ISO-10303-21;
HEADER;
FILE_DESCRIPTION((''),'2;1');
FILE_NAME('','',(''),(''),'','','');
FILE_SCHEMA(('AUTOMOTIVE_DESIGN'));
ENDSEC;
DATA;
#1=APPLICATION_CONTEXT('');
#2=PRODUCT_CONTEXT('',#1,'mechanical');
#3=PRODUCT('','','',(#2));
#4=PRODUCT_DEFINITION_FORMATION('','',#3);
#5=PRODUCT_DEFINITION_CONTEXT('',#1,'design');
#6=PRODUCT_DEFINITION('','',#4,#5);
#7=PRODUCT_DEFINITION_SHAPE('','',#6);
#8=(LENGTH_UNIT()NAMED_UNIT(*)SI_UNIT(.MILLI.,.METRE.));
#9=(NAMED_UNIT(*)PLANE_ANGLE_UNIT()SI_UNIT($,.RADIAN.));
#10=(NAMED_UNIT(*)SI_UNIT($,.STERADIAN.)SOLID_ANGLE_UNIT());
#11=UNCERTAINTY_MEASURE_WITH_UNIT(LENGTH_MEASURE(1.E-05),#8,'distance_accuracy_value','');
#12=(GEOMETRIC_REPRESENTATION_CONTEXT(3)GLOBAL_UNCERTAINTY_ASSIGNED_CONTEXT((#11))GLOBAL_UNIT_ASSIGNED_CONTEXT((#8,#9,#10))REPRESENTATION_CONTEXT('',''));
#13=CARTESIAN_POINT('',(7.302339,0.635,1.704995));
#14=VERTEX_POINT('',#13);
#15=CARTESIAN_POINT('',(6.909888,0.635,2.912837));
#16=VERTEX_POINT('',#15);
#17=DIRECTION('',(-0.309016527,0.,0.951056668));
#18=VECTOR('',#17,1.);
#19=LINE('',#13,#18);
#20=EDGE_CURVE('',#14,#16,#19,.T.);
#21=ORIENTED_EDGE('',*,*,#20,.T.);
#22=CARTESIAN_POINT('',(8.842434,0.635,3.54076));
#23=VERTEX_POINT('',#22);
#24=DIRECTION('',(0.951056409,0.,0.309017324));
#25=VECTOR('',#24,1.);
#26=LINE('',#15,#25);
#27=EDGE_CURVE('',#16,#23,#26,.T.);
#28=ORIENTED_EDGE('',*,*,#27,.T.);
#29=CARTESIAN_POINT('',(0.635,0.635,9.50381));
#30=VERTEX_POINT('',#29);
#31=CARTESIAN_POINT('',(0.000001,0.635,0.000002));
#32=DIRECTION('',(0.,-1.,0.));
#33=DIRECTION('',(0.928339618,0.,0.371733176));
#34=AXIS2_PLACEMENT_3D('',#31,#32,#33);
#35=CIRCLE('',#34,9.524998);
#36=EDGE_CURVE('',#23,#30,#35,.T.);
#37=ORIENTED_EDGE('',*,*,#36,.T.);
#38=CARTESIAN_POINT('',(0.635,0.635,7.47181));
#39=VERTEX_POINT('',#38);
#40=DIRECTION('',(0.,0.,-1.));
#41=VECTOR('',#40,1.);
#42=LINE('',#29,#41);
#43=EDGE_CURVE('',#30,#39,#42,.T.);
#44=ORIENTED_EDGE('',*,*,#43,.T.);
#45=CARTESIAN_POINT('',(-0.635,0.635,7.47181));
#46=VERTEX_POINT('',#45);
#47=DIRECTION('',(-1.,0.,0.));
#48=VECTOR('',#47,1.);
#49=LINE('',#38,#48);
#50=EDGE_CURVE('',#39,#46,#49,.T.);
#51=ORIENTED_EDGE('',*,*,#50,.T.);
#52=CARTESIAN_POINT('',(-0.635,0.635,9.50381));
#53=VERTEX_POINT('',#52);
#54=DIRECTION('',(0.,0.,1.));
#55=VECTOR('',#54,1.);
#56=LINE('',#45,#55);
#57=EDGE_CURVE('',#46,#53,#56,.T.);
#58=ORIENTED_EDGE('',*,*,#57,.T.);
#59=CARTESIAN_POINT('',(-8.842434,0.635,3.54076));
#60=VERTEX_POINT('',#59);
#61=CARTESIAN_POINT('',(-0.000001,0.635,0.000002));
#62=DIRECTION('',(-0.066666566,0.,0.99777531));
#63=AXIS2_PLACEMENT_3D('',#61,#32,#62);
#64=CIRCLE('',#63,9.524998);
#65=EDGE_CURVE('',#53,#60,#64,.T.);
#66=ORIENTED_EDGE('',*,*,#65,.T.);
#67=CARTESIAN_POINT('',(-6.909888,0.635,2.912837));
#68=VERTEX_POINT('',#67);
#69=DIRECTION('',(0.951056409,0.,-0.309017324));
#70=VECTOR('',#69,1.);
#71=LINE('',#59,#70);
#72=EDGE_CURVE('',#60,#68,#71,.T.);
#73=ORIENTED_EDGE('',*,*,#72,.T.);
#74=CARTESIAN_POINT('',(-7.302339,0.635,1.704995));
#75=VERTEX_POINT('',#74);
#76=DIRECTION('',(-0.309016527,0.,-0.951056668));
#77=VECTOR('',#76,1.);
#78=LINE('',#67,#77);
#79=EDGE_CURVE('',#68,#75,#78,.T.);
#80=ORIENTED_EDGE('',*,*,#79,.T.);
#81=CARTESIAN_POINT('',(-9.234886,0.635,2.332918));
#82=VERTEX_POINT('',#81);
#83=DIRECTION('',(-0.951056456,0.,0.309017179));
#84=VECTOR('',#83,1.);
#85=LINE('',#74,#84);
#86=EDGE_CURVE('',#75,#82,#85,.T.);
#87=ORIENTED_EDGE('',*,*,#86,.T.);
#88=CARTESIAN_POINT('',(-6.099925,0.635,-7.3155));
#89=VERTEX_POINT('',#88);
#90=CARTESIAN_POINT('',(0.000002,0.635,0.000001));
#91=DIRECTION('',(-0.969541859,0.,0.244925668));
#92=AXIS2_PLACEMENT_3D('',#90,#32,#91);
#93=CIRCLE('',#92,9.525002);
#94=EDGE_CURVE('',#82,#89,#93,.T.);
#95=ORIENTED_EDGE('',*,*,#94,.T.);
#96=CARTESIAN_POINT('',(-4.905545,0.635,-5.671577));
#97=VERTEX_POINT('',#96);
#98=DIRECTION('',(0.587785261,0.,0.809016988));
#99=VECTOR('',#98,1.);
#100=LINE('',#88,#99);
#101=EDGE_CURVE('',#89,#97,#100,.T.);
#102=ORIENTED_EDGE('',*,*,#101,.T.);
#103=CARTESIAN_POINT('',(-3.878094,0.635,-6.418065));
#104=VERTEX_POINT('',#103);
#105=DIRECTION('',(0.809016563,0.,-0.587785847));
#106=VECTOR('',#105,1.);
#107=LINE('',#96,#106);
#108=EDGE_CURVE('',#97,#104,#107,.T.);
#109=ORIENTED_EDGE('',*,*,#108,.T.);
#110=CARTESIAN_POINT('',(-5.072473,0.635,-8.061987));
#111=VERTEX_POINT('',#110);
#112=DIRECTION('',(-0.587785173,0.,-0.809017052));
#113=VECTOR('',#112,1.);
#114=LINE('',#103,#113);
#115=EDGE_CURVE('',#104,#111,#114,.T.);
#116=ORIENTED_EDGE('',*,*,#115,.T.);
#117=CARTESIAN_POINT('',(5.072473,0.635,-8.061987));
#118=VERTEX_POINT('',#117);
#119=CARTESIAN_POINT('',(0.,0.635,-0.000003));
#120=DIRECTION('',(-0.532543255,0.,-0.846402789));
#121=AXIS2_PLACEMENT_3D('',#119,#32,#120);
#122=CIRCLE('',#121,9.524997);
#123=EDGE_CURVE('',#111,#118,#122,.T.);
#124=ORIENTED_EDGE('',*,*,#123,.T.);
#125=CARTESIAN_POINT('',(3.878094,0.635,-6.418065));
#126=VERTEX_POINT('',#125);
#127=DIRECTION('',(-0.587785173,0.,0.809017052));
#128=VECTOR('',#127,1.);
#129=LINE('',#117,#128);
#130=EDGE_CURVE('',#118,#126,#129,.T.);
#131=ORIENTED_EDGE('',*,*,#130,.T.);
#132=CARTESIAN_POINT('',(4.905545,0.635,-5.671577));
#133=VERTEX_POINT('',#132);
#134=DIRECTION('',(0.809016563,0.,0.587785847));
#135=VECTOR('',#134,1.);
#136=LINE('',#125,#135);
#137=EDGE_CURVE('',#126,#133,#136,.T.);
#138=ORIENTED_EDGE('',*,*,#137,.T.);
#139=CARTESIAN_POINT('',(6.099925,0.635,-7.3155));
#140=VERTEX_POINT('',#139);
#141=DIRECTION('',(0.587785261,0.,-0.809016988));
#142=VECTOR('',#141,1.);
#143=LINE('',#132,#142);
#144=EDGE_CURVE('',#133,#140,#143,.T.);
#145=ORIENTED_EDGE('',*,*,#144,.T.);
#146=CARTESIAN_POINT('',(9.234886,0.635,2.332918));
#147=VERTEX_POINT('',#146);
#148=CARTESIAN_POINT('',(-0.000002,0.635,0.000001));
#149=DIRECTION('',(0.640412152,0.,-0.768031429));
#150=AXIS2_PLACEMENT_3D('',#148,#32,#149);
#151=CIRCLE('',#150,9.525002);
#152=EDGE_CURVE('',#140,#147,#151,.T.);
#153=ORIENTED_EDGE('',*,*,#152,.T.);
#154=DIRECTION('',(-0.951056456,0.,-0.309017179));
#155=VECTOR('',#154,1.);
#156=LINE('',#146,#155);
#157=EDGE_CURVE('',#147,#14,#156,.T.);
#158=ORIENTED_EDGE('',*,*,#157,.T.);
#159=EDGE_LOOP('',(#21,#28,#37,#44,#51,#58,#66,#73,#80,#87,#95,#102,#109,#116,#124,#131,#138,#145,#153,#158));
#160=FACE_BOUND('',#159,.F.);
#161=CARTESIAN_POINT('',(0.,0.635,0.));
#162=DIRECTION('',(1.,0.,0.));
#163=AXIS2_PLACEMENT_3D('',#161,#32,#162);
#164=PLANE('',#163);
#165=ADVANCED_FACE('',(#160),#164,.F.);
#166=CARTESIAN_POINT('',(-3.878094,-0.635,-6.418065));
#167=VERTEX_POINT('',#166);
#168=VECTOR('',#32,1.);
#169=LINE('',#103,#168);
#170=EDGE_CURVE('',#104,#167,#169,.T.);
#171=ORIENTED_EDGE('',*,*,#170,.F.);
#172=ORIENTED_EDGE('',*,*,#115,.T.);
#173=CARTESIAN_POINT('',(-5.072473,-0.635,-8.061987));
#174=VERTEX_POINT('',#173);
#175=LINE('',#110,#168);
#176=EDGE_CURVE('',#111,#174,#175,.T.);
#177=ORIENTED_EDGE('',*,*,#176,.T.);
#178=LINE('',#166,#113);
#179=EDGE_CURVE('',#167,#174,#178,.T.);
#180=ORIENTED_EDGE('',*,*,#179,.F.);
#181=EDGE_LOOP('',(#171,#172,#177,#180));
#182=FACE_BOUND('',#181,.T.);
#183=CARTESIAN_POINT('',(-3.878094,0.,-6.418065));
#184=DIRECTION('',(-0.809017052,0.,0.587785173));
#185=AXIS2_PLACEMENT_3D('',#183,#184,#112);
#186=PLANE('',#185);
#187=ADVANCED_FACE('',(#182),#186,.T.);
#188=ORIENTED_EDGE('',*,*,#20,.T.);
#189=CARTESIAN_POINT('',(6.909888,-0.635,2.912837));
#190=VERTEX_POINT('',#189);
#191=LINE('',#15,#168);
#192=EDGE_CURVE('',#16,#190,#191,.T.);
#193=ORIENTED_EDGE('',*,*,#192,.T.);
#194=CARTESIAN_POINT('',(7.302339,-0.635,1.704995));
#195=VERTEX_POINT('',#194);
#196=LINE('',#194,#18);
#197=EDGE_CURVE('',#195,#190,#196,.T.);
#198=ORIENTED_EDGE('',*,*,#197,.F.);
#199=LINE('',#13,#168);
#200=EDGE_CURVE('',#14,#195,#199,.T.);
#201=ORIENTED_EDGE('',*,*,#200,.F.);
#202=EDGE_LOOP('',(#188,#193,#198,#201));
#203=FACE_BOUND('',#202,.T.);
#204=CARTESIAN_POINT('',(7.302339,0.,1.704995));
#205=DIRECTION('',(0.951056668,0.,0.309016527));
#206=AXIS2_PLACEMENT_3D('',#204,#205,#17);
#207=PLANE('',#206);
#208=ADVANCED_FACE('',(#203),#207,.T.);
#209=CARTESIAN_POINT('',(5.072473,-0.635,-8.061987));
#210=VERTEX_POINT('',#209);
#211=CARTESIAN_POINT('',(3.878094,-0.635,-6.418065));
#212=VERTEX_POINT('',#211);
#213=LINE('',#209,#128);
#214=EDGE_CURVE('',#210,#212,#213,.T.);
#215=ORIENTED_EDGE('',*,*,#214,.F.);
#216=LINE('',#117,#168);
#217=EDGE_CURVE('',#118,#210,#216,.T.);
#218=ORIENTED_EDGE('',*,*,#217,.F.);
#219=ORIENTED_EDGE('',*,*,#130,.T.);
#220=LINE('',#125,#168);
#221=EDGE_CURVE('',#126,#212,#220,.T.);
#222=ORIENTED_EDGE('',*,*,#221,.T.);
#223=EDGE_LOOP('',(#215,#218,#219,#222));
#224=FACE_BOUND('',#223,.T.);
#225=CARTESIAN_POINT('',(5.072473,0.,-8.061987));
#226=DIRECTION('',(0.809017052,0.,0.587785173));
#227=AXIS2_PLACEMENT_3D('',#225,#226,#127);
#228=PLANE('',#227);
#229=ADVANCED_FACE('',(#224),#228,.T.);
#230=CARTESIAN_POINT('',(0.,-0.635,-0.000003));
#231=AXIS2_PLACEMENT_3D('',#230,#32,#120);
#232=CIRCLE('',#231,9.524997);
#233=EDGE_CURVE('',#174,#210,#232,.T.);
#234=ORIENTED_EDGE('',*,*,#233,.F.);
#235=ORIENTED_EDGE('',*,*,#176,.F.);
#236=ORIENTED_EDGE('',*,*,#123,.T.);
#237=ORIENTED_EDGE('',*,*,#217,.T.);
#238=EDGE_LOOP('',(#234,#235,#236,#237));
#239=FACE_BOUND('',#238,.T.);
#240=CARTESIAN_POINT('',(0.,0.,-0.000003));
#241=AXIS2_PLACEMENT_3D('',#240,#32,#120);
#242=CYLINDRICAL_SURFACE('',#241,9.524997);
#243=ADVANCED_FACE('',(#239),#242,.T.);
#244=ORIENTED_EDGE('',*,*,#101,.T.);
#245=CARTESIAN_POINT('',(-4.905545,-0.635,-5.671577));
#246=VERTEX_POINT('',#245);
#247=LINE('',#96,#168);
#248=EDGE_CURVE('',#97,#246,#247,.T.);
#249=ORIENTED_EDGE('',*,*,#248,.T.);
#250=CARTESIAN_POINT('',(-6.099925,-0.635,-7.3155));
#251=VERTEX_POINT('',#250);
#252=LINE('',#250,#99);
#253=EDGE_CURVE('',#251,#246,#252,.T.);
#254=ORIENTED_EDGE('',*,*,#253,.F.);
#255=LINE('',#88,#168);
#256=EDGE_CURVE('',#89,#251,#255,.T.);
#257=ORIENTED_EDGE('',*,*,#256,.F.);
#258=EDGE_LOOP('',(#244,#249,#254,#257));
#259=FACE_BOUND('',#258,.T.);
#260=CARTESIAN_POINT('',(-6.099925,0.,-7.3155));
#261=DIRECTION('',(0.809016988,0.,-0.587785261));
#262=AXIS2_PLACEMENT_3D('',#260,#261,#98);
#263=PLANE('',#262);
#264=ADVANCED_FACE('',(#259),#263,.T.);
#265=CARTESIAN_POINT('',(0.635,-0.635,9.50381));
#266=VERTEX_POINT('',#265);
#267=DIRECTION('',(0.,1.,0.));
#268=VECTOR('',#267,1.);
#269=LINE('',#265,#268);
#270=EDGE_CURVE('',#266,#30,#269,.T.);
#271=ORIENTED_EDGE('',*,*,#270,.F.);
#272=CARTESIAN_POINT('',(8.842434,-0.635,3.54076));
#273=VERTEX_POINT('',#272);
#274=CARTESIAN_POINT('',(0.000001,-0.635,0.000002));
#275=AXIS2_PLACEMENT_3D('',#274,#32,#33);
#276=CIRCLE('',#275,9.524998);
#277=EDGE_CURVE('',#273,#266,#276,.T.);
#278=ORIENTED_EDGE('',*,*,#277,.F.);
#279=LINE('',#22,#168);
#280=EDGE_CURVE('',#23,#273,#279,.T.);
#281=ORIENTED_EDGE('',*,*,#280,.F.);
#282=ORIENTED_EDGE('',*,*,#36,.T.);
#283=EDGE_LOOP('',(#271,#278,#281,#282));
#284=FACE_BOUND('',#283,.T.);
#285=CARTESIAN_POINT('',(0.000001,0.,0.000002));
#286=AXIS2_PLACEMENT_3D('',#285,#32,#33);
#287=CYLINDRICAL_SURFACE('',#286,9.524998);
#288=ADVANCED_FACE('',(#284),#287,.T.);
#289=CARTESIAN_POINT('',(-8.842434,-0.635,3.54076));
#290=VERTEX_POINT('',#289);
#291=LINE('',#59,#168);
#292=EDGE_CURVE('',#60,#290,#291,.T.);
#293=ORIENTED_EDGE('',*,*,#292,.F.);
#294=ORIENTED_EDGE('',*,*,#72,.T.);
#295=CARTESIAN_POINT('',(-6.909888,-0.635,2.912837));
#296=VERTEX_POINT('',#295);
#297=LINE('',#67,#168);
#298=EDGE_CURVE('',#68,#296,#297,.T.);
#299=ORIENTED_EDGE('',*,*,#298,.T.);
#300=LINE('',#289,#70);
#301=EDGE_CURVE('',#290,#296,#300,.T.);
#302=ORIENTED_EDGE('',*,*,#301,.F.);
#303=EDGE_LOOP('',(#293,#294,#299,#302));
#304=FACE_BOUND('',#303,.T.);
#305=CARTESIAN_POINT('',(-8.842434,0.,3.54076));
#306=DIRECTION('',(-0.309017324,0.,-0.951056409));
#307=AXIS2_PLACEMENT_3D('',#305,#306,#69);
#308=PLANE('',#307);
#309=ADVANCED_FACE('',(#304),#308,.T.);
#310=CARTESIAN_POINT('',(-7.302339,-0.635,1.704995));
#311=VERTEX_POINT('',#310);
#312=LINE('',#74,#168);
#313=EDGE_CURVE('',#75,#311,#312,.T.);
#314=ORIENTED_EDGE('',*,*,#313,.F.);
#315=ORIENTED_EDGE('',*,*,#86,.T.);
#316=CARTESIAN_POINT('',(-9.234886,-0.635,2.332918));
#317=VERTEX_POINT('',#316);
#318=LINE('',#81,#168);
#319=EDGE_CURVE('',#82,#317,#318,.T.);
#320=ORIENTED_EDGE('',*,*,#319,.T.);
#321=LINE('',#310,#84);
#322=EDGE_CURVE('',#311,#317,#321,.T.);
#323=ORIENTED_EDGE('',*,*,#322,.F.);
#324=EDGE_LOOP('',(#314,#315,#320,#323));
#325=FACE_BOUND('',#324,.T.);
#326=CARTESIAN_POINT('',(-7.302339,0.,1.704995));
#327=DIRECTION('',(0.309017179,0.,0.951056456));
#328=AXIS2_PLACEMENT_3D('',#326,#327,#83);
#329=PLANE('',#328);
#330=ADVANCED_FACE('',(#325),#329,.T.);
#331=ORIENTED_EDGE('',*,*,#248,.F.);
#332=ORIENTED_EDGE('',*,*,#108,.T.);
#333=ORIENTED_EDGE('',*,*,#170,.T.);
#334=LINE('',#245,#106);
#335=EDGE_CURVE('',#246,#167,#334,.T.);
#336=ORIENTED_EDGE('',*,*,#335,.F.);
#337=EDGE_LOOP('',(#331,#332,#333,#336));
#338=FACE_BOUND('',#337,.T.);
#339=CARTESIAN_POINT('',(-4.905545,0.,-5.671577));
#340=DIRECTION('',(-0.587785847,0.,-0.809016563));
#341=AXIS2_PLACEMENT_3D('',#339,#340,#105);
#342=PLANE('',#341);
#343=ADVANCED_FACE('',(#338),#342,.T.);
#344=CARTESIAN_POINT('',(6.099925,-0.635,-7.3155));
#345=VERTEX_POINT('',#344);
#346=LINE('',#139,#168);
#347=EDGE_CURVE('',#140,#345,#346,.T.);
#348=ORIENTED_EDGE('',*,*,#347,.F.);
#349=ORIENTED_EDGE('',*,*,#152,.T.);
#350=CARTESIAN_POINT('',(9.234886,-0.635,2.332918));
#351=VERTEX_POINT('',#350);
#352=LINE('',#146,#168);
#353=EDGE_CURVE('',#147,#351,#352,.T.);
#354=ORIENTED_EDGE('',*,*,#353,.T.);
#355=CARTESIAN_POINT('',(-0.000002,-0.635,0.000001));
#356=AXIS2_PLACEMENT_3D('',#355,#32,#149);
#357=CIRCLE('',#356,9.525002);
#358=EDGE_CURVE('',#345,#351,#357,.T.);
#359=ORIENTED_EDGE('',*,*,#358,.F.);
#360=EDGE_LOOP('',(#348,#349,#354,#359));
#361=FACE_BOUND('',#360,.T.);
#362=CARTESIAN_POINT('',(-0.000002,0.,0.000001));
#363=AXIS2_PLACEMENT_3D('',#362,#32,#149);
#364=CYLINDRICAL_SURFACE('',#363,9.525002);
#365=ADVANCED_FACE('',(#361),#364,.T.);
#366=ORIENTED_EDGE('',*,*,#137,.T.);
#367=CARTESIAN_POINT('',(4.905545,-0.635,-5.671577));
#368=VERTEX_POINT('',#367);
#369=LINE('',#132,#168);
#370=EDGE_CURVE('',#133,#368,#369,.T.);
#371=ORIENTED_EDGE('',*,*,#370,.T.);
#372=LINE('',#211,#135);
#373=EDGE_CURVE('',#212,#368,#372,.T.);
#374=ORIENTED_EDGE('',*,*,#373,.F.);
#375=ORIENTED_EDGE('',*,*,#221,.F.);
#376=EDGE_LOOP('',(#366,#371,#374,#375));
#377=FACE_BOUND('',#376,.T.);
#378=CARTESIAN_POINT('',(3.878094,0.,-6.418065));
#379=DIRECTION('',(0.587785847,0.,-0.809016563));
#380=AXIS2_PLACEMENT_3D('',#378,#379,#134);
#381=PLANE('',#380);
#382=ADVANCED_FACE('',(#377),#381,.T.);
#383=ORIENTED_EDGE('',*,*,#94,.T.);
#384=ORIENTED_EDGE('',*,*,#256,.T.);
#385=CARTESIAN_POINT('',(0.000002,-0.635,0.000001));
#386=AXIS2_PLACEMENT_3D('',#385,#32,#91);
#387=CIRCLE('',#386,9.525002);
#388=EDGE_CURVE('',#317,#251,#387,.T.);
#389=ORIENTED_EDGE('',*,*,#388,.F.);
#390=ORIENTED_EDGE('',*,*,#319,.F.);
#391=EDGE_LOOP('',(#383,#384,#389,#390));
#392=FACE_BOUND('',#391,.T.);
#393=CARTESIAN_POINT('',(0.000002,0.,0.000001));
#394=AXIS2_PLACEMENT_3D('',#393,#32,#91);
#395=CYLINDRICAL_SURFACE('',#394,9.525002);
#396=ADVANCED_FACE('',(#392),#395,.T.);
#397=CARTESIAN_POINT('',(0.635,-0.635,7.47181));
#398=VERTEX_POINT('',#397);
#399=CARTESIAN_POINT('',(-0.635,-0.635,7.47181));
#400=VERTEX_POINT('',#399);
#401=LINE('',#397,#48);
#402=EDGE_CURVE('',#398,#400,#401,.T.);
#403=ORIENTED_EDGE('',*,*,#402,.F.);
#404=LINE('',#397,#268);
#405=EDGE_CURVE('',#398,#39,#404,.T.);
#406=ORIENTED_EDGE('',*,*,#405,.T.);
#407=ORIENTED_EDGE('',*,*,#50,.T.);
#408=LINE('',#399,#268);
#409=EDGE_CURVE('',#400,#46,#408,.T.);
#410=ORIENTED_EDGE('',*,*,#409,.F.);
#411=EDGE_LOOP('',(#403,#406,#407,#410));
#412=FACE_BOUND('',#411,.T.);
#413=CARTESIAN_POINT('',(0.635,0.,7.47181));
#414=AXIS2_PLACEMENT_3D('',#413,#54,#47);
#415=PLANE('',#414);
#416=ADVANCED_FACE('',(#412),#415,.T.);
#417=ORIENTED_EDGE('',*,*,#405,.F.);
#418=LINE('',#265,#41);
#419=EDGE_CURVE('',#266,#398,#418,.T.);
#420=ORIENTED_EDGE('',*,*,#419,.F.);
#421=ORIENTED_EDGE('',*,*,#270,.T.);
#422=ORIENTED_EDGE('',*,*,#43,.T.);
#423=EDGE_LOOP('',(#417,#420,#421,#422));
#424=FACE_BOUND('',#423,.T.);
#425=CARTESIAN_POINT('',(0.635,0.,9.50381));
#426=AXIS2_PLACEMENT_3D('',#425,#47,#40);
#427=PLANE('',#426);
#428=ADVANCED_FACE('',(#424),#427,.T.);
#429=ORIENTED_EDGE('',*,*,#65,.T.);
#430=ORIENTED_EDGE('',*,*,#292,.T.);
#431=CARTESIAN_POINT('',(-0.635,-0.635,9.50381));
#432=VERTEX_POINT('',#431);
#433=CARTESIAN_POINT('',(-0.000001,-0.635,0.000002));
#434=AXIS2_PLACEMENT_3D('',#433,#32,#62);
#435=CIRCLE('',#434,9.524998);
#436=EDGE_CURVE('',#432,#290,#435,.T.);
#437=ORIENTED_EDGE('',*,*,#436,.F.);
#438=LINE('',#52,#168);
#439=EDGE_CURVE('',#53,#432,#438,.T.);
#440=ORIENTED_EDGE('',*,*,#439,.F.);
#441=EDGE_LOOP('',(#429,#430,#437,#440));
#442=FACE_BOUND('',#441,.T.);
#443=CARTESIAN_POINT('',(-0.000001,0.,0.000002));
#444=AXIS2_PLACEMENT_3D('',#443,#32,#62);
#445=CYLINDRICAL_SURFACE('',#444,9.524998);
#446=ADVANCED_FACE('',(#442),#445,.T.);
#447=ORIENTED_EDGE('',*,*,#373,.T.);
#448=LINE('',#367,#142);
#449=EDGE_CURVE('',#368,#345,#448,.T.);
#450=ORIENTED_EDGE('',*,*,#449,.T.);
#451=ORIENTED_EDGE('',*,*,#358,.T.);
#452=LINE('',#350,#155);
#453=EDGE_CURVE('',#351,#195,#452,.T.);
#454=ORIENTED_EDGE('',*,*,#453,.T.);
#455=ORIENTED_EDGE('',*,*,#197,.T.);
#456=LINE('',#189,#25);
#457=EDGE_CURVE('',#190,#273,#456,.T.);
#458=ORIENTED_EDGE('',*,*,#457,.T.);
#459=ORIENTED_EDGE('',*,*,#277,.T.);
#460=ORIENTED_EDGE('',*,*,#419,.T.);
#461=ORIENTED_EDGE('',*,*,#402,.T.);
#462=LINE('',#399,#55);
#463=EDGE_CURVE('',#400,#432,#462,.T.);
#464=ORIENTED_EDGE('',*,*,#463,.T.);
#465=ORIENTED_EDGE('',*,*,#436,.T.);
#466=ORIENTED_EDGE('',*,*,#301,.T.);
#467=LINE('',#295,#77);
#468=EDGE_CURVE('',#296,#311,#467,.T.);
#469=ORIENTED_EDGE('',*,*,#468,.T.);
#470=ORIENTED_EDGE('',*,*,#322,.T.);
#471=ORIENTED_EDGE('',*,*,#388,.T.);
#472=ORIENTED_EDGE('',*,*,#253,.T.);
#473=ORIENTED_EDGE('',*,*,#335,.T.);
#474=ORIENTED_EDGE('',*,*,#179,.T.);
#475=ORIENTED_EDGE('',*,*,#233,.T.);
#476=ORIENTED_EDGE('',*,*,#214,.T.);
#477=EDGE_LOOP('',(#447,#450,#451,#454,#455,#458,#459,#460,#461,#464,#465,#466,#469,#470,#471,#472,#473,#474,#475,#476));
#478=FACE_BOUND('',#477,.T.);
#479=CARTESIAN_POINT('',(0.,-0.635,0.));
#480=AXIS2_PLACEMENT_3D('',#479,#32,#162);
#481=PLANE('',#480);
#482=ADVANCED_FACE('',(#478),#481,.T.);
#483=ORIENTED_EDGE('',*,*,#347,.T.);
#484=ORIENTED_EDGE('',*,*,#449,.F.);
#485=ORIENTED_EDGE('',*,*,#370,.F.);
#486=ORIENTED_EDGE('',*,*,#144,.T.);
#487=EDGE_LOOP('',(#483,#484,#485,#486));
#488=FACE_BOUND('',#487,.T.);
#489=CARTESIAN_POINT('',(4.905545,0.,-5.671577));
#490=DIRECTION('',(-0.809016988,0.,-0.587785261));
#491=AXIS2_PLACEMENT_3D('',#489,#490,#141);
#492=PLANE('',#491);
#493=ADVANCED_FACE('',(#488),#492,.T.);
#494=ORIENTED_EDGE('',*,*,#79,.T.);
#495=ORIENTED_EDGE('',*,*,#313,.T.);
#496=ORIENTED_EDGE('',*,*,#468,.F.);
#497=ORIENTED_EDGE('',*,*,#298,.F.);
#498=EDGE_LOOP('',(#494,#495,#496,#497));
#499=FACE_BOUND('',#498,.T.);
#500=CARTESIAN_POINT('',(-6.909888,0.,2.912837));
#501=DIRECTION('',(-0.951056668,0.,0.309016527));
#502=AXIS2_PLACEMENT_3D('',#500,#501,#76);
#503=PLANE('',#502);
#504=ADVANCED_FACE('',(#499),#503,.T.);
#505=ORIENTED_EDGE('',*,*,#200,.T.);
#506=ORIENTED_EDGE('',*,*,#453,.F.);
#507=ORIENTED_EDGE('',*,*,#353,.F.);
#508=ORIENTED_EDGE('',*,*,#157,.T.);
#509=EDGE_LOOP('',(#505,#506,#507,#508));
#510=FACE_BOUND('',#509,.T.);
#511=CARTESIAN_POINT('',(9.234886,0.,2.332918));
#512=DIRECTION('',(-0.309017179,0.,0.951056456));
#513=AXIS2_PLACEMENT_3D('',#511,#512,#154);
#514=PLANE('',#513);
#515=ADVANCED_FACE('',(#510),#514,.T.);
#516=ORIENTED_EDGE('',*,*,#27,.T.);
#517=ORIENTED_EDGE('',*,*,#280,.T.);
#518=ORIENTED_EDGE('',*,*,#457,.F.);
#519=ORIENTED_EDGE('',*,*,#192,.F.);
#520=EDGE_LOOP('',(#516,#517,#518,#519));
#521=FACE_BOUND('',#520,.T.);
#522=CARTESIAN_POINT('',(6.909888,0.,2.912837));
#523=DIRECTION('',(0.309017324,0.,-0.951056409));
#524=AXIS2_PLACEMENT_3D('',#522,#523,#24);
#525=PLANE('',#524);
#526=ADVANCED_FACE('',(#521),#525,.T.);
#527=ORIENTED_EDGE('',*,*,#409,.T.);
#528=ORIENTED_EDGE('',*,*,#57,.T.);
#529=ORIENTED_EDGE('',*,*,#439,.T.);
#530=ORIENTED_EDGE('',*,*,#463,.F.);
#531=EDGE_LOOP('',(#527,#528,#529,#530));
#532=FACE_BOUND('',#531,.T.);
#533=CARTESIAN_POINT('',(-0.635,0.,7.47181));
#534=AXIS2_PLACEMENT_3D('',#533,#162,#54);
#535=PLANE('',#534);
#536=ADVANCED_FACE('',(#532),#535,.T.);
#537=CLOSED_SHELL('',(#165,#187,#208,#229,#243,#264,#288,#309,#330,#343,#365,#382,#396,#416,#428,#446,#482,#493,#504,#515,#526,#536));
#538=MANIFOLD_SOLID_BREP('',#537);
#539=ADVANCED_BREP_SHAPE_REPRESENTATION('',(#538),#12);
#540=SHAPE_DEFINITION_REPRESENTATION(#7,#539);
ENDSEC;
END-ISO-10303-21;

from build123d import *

# Parameters (mm, degrees)
F1_DEPTH = 0.635


with BuildPart() as f1:
    # F0 (on Front) → F1 (new body, symmetric)
    with BuildSketch(Plane.XZ):
        with BuildLine():
            Line((-0.635, 7.47181), (-0.635, 9.50381))
            ThreePointArc((-0.635, 9.50381), (-5.598655, 7.705887), (-8.842434, 3.54076))
            Line((-8.842434, 3.54076), (-6.909888, 2.912837))
            Line((-6.909888, 2.912837), (-7.302339, 1.704995))
            Line((-7.302339, 1.704995), (-9.234886, 2.332918))
            ThreePointArc((-9.234886, 2.332918), (-9.058813, -2.943387), (-6.099925, -7.3155))
            Line((-6.099925, -7.3155), (-4.905545, -5.671577))
            Line((-4.905545, -5.671577), (-3.878094, -6.418065))
            Line((-3.878094, -6.418065), (-5.072473, -8.061987))
            ThreePointArc((-5.072473, -8.061987), (0, -9.525), (5.072473, -8.061987))
            Line((5.072473, -8.061987), (3.878094, -6.418065))
            Line((3.878094, -6.418065), (4.905545, -5.671577))
            Line((4.905545, -5.671577), (6.099925, -7.3155))
            ThreePointArc((6.099925, -7.3155), (9.058813, -2.943387), (9.234886, 2.332918))
            Line((9.234886, 2.332918), (7.302339, 1.704995))
            Line((7.302339, 1.704995), (6.909888, 2.912837))
            Line((6.909888, 2.912837), (8.842434, 3.54076))
            ThreePointArc((8.842434, 3.54076), (5.598655, 7.705887), (0.635, 9.50381))
            Line((0.635, 9.50381), (0.635, 7.47181))
            Line((0.635, 7.47181), (-0.635, 7.47181))
        make_face()
    extrude(amount=F1_DEPTH, both=True)


solid = f1.part
